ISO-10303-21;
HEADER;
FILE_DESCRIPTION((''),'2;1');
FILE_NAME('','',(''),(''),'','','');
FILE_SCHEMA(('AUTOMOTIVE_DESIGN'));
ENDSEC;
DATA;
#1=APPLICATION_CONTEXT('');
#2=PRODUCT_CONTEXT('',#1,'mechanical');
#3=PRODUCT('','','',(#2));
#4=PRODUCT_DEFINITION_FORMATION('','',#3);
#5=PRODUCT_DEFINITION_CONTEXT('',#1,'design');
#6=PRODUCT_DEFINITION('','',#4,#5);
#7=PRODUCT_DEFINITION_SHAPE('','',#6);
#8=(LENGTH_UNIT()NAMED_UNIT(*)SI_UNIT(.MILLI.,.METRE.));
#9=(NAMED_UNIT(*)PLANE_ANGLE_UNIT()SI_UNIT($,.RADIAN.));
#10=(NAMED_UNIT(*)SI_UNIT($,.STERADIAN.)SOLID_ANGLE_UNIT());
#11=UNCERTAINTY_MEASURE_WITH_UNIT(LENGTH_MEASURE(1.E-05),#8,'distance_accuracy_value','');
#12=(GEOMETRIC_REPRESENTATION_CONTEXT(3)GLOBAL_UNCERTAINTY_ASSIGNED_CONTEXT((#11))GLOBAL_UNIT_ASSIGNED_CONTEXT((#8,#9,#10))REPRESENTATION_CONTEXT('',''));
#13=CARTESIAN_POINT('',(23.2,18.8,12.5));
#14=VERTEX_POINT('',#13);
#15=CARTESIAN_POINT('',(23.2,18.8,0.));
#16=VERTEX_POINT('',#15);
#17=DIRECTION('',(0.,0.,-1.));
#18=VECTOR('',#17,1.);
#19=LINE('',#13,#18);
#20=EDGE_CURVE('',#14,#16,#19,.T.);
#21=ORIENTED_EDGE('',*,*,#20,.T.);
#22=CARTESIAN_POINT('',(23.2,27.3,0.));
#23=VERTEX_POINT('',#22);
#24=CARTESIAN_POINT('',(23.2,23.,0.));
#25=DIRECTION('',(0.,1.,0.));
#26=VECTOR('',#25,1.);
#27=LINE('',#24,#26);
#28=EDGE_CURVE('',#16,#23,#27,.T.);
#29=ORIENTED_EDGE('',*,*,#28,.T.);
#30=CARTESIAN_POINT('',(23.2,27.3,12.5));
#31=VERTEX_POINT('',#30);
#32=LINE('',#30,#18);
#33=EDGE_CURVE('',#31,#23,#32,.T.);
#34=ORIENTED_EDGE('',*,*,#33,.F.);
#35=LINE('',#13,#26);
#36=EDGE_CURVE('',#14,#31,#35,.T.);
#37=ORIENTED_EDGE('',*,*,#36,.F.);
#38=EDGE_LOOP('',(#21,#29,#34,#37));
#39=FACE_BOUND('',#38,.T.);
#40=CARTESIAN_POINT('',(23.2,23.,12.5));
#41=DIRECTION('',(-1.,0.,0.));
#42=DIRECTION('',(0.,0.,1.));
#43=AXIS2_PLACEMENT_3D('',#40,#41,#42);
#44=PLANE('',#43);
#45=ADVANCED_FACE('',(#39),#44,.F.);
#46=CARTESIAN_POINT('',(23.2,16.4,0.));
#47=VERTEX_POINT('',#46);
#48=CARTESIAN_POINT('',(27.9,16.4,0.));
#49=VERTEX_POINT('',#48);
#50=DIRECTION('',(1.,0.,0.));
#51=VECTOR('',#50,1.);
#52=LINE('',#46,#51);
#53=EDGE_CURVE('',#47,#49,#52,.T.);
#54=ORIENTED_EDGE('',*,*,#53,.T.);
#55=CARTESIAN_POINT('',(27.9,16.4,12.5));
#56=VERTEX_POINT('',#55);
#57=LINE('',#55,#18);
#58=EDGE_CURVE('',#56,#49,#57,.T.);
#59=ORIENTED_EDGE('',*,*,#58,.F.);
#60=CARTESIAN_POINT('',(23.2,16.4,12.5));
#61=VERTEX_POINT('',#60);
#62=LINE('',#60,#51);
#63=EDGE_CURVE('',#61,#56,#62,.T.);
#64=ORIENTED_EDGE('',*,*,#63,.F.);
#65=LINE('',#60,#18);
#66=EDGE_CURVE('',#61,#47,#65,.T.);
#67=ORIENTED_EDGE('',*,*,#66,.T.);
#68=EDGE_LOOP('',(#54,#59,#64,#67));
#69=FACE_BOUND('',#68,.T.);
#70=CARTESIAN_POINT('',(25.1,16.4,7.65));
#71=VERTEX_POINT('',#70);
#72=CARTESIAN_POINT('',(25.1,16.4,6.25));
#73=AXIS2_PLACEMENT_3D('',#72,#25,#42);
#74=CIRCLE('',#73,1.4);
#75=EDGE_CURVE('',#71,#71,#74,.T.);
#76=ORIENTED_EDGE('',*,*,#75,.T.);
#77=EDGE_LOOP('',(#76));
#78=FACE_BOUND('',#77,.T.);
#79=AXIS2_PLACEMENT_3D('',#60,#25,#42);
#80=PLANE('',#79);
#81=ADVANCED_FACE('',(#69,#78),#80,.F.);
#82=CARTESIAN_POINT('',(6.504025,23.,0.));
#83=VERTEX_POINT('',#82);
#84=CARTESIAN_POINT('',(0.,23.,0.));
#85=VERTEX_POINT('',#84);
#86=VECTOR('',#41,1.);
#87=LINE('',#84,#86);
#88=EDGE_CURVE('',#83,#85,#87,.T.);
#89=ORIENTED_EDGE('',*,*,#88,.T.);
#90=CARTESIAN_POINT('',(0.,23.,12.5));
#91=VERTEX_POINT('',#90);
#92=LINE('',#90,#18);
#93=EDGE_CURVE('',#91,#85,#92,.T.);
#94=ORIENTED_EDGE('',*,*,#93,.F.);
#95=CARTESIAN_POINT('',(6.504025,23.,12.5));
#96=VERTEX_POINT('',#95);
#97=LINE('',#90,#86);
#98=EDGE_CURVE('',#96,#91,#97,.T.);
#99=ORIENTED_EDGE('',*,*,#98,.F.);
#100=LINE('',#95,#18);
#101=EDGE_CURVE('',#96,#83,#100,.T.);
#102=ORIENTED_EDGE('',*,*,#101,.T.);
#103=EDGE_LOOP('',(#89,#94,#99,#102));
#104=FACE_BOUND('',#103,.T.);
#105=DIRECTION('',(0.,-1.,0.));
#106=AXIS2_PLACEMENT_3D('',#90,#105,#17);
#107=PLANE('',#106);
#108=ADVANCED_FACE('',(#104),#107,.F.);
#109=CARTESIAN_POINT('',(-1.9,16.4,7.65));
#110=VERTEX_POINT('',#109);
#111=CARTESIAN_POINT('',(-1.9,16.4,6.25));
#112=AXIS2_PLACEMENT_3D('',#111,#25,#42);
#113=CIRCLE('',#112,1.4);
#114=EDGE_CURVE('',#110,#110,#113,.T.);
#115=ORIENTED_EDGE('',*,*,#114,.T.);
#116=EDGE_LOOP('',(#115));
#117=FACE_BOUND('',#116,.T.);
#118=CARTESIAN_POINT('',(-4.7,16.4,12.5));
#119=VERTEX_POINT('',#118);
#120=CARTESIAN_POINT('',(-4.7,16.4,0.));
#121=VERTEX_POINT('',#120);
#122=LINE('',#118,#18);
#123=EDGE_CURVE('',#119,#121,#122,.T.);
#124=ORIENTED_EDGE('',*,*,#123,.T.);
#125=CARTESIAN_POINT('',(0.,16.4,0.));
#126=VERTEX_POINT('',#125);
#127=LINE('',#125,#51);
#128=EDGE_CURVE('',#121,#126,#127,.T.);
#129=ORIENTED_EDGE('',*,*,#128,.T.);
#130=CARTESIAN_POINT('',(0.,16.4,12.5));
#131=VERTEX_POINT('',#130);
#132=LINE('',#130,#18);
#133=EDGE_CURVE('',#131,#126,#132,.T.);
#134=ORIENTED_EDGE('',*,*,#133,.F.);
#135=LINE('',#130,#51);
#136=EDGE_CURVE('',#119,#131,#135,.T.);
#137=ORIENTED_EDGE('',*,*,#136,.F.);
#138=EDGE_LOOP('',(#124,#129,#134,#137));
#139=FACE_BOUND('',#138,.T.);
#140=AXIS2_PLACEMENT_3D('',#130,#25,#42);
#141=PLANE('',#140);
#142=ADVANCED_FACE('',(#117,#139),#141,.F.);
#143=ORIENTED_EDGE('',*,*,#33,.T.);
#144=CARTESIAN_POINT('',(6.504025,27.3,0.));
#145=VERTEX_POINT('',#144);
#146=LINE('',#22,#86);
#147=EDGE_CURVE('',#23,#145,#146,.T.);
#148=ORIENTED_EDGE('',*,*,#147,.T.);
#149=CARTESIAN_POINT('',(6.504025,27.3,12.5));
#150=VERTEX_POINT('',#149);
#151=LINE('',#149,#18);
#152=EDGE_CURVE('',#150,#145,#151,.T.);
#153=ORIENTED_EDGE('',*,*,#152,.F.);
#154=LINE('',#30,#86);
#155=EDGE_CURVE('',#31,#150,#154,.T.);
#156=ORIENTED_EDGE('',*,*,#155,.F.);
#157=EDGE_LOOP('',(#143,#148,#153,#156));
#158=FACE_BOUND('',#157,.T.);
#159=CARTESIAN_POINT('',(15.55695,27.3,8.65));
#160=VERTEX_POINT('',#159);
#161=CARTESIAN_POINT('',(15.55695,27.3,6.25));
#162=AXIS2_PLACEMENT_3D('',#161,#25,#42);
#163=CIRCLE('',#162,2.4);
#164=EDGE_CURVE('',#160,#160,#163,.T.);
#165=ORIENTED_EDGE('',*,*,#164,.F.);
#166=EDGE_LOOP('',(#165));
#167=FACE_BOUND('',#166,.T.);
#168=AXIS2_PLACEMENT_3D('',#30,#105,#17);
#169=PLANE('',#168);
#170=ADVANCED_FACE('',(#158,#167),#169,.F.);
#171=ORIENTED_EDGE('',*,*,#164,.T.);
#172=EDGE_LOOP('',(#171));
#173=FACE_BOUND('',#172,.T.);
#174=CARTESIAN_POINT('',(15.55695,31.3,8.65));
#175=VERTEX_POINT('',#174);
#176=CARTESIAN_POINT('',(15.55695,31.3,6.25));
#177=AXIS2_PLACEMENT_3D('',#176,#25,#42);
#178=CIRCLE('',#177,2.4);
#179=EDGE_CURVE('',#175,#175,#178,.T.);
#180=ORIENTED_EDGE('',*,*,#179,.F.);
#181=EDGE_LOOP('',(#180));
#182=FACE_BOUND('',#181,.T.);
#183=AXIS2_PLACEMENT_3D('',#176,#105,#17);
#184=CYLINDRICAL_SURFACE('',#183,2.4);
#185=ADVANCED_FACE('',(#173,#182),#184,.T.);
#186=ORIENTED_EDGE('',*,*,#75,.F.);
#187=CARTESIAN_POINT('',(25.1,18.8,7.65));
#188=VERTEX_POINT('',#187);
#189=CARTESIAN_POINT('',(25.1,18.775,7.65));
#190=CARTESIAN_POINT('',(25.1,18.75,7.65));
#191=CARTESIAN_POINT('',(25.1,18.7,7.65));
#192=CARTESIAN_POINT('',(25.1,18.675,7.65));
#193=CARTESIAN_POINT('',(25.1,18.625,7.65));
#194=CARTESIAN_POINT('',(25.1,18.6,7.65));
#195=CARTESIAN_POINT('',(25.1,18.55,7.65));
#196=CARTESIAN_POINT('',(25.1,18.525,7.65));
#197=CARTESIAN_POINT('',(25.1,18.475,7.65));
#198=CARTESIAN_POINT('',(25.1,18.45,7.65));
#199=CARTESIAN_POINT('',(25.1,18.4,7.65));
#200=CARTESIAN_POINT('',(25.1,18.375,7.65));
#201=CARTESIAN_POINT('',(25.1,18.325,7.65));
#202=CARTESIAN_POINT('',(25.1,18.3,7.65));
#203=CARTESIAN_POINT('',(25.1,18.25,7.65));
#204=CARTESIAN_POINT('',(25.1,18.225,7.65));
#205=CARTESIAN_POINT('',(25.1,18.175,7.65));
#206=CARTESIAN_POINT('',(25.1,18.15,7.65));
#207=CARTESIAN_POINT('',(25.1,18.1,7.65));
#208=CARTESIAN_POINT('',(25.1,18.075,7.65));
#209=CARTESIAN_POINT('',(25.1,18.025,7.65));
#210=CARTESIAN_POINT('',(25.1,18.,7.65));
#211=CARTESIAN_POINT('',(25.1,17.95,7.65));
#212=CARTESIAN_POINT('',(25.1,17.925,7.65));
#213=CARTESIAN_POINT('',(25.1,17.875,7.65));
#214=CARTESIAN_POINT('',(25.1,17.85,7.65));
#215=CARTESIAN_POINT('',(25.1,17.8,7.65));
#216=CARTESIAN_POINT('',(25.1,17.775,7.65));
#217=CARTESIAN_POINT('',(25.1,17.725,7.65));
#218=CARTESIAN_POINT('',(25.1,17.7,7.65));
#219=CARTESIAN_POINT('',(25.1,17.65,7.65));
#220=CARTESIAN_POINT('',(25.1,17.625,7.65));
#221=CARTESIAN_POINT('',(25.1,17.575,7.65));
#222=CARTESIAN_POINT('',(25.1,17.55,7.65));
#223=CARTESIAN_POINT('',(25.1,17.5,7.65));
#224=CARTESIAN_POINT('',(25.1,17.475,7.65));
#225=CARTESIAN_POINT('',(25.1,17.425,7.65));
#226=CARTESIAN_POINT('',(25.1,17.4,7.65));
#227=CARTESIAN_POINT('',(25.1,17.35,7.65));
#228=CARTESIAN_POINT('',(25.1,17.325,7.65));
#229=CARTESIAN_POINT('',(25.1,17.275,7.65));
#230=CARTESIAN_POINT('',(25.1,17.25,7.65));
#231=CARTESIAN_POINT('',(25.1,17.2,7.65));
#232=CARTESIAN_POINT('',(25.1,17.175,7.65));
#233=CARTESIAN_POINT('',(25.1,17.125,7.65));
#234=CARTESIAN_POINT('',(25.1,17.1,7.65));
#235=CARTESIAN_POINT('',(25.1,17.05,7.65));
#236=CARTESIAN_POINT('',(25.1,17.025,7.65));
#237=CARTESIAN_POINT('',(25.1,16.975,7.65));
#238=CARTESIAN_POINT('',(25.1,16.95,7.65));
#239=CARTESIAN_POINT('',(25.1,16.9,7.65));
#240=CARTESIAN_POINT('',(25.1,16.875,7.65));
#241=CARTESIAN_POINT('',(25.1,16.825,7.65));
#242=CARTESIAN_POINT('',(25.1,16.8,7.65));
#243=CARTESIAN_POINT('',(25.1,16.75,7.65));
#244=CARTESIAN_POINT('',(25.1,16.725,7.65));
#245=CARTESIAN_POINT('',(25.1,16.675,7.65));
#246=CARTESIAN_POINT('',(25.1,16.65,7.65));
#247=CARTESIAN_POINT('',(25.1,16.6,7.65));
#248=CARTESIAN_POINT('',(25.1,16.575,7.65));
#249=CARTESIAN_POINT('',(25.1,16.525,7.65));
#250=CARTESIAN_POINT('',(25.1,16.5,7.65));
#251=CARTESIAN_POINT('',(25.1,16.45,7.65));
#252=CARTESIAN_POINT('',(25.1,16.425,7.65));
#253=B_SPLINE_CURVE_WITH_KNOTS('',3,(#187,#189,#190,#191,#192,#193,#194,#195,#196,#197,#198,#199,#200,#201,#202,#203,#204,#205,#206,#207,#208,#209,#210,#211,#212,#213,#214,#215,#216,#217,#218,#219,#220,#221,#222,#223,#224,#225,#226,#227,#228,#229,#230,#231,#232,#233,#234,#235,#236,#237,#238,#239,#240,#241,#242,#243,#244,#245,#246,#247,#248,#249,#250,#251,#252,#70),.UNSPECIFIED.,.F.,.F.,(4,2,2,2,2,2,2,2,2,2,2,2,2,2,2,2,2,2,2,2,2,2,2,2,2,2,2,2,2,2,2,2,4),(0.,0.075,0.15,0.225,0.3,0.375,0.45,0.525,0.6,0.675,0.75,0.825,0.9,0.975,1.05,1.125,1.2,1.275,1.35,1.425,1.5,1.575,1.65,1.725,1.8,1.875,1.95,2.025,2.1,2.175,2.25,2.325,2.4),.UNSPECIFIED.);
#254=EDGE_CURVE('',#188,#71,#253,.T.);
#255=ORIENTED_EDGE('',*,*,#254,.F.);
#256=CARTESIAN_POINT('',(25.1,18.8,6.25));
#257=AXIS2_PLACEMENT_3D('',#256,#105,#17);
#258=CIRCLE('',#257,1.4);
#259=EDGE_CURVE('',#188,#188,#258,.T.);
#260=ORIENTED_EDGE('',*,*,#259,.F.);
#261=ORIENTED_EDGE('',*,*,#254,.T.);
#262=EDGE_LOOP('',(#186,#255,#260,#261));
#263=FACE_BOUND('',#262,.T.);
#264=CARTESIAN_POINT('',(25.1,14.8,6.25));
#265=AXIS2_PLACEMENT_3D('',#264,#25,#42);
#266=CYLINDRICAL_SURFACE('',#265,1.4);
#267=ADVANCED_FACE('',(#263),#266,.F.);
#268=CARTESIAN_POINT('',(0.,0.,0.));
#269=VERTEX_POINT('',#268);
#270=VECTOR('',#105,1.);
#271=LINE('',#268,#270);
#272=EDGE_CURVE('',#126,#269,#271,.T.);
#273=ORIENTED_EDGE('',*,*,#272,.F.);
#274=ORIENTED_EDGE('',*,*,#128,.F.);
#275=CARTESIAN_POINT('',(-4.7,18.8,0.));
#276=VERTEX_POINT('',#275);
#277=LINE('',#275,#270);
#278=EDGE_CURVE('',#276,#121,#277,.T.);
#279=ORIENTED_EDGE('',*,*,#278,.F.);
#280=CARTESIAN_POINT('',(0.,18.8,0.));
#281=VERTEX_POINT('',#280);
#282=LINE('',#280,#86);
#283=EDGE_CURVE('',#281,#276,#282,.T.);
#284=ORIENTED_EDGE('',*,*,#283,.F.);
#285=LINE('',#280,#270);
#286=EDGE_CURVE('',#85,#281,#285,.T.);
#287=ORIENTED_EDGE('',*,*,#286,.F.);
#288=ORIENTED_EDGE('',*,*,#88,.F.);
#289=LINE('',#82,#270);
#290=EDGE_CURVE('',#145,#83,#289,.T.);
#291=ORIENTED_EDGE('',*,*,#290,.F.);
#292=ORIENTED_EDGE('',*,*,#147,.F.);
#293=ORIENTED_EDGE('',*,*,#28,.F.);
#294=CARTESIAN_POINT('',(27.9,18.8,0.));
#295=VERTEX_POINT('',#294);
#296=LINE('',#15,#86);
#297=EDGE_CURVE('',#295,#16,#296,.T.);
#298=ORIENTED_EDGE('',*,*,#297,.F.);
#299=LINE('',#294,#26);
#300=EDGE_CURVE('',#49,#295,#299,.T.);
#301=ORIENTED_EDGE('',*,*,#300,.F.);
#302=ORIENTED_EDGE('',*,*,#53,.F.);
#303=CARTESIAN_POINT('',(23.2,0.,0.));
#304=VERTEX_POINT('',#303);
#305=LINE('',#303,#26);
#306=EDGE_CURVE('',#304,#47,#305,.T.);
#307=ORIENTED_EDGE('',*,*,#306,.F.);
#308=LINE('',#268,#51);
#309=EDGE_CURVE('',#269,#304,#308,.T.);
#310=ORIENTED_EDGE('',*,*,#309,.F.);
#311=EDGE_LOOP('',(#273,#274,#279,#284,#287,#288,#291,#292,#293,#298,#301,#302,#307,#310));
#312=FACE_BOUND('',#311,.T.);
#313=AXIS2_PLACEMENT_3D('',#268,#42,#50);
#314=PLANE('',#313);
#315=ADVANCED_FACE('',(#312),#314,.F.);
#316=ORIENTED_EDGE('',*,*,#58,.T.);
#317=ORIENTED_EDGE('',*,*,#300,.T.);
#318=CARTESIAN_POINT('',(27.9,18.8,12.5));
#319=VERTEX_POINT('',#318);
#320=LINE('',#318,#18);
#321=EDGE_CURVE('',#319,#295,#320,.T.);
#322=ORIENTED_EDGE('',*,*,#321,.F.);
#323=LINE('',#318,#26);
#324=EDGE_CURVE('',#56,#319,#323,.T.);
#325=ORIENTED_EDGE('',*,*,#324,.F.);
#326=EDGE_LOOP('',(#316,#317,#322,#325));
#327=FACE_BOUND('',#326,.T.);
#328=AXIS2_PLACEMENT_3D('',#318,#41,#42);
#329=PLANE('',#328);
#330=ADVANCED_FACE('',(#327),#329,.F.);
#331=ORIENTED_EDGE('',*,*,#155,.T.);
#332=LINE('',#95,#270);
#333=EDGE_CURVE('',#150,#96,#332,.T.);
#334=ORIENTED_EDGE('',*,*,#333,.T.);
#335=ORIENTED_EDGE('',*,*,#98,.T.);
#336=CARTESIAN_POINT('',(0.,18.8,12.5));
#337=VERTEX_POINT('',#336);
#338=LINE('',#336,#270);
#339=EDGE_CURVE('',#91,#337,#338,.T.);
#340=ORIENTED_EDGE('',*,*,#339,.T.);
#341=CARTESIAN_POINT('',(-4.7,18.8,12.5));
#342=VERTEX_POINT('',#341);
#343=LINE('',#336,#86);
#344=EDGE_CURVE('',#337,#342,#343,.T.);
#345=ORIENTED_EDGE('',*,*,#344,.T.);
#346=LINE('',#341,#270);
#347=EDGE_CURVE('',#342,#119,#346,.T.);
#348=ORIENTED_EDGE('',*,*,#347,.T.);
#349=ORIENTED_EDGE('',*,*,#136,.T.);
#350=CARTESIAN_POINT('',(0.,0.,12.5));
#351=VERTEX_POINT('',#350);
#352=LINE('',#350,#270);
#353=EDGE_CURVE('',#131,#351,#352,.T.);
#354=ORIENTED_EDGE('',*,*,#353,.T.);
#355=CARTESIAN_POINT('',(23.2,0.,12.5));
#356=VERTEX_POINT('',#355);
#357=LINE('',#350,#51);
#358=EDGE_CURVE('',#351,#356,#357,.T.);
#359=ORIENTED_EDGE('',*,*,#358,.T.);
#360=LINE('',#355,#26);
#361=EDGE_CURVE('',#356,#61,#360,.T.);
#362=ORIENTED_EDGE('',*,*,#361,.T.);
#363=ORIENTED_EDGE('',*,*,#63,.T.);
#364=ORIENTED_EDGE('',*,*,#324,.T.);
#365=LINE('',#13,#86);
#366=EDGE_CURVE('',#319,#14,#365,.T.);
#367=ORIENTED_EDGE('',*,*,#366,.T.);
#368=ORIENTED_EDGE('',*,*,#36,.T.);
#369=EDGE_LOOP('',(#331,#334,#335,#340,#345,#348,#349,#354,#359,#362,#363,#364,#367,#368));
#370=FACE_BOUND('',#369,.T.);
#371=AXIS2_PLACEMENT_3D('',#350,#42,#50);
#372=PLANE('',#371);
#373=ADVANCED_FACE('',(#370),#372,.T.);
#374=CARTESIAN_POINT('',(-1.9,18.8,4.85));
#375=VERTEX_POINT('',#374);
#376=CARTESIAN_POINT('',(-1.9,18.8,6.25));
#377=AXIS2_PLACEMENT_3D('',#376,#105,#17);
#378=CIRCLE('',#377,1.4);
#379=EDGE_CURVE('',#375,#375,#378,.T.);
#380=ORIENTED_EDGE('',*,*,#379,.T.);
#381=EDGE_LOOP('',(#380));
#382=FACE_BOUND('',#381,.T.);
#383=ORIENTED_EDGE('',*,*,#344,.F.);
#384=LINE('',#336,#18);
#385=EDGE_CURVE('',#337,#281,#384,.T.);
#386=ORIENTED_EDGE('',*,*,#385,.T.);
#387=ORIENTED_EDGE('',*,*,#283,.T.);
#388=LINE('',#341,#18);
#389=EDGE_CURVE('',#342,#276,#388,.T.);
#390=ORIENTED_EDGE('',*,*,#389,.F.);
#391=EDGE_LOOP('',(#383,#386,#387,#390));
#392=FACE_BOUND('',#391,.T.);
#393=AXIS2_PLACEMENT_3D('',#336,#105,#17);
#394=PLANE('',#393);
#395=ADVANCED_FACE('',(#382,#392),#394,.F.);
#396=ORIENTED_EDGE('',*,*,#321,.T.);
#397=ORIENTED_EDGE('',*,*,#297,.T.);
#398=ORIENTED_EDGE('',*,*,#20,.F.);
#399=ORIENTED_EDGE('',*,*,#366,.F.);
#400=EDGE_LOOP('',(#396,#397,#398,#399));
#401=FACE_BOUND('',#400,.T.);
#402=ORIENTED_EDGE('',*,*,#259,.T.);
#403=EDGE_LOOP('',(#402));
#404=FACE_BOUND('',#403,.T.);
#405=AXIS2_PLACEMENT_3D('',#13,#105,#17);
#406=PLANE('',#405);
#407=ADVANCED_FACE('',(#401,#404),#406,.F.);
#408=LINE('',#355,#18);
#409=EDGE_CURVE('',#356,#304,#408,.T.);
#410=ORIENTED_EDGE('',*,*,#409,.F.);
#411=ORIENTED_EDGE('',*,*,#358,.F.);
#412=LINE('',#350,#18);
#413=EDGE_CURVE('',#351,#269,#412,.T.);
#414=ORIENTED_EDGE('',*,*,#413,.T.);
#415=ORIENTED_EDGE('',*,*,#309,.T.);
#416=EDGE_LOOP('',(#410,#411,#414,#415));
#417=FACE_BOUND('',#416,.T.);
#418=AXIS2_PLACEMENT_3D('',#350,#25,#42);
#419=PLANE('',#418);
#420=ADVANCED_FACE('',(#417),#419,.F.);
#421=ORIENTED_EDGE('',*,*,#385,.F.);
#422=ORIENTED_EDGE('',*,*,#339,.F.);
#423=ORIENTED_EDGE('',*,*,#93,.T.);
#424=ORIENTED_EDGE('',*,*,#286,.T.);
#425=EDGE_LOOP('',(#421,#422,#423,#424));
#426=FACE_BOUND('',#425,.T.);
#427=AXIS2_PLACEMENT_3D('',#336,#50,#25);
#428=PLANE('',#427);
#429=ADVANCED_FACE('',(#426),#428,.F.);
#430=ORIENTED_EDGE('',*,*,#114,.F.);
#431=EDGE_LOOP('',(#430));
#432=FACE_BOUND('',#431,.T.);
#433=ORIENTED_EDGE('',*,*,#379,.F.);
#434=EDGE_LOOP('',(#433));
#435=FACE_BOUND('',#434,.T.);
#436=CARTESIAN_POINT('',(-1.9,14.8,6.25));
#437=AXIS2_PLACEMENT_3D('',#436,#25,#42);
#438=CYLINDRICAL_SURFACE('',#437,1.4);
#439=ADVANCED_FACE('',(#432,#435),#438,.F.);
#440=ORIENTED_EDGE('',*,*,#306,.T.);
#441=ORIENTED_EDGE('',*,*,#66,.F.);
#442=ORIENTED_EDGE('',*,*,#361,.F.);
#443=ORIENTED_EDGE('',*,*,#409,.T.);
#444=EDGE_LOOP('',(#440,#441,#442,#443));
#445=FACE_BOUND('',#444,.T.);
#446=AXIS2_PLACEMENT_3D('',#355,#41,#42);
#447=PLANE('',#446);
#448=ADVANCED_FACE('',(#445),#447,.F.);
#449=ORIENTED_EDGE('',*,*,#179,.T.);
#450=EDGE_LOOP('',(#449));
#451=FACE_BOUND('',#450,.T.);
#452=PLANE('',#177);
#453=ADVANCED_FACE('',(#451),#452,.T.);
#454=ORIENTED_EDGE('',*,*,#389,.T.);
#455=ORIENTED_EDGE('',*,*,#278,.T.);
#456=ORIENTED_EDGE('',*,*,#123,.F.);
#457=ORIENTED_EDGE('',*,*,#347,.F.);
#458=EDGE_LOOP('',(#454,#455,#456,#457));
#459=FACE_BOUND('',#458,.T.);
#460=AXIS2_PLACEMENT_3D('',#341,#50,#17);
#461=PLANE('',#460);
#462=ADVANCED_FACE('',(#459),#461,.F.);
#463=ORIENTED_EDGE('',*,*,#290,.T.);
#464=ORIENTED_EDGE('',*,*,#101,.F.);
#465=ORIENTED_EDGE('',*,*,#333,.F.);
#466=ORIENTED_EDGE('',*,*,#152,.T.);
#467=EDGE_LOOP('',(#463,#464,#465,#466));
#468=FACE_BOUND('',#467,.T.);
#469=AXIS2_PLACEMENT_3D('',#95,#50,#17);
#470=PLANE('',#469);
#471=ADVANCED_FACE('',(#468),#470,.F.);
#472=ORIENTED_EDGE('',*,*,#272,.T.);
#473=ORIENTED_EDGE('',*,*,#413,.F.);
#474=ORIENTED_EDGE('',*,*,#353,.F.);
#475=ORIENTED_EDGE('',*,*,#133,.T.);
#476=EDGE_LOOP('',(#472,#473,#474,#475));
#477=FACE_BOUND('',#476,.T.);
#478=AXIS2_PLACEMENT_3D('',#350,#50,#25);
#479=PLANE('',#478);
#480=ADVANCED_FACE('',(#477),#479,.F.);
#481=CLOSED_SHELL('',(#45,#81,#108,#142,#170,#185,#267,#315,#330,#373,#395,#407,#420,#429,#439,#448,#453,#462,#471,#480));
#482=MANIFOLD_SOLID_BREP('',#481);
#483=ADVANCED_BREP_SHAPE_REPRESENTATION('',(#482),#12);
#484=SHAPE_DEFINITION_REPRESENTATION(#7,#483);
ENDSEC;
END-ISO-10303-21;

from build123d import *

# Parameters (mm, degrees)
BOSS_EXTRUDE1_DEPTH = 12.5
SKETCH2_R           = 1.4
CUT_EXTRUDE1_DEPTH  = 12.5
SKETCH3_R           = 2.4
BOSS_EXTRUDE2_DEPTH = 4


with BuildPart() as part:
    # Sketch1 → Boss-Extrude1 (new body)
    with BuildSketch(Plane.XY):
        Polygon((0, 18.8), (0, 23), (6.504024825, 23), (6.504024825, 27.3), (23.2, 27.3), (23.2, 23), (23.2, 18.8), (27.9, 18.8), (27.9, 16.4), (23.2, 16.4), (23.2, 0), (0, 0), (0, 16.4), (-4.7, 16.4), (-4.7, 18.8), align=None)
    extrude(amount=BOSS_EXTRUDE1_DEPTH)

    # Sketch2 → Cut-Extrude1 (cut)
    with BuildSketch(Plane(origin=(0, 27.3, 0), x_dir=(1, 0, 0), z_dir=(0, 1, 0))):
        with Locations(Location((-1.9, -6.25, 0), (0, 0, 270))):
            Circle(SKETCH2_R)
        with Locations(Location((25.1, -6.25, 0), (0, 0, 270))):
            Circle(SKETCH2_R)
    extrude(amount=-CUT_EXTRUDE1_DEPTH, mode=Mode.SUBTRACT)

    # Sketch3 → Boss-Extrude2 (add)
    with BuildSketch(Plane(origin=(0, 27.3, 0), x_dir=(1, 0, 0), z_dir=(0, 1, 0))):
        with Locations(Location((15.556949647, -6.25, 0), (0, 0, 270))):
            Circle(SKETCH3_R)
    extrude(amount=BOSS_EXTRUDE2_DEPTH)


solid = part.part
